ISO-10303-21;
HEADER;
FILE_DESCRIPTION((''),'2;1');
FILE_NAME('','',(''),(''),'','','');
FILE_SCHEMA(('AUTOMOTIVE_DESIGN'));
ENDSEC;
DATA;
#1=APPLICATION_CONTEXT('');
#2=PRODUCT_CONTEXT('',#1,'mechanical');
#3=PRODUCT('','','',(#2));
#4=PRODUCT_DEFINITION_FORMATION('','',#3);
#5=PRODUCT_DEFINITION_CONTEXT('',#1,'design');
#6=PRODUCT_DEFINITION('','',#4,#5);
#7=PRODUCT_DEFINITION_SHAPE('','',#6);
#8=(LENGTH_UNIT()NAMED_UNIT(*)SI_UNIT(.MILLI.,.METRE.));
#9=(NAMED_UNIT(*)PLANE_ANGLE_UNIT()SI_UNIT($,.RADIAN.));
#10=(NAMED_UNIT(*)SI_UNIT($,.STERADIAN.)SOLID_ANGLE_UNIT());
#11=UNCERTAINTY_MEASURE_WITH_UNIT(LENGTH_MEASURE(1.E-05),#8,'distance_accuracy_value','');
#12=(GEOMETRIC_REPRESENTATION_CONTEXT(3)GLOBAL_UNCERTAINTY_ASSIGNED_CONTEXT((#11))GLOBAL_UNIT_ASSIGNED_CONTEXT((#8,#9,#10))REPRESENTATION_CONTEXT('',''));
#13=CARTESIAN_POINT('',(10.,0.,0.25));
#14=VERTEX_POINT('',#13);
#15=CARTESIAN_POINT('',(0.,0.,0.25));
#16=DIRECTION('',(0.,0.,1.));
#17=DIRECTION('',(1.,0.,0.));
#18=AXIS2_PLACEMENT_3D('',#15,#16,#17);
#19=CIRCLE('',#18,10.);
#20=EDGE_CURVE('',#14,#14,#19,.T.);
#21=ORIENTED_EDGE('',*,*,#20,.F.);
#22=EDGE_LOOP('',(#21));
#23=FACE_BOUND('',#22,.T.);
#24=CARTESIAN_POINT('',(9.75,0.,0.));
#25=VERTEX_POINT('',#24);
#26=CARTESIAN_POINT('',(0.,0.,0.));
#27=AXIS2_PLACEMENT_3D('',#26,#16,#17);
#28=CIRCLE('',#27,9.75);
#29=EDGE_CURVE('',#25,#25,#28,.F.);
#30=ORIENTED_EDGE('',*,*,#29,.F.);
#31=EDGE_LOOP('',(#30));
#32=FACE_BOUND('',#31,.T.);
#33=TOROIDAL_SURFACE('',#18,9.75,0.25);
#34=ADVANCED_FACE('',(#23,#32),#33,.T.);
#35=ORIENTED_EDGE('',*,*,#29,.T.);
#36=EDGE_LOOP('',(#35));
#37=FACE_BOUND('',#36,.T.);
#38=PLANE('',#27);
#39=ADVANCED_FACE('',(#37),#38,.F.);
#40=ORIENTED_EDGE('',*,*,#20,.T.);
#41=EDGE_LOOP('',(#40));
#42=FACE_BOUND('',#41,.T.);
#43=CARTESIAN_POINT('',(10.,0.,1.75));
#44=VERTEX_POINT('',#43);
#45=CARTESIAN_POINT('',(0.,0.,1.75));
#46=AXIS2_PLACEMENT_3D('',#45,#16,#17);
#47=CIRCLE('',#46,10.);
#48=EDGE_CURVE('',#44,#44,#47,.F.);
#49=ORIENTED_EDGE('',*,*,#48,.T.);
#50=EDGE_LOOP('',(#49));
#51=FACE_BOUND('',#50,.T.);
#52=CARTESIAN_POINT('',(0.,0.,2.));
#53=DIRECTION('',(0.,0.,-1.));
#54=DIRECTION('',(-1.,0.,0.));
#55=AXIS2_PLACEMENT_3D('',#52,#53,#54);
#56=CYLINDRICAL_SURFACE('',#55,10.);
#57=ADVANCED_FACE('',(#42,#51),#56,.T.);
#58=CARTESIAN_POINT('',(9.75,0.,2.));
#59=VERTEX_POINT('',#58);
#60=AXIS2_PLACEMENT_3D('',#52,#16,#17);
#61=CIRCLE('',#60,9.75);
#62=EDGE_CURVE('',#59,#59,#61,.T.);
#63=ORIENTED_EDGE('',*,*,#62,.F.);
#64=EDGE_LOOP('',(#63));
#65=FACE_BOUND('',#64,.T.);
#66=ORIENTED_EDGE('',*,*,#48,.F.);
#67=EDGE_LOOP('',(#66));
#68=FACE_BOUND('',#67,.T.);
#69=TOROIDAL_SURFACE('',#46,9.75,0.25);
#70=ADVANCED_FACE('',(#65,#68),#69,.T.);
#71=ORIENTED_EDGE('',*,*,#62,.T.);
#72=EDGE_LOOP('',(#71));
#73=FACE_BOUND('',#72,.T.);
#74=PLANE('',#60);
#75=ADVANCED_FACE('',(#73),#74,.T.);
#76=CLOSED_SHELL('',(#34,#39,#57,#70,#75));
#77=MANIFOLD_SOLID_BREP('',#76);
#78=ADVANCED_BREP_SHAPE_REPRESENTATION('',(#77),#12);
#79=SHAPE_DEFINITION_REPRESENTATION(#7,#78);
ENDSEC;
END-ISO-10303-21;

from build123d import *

# Parameters (mm, degrees)
ESQUISSE1_R        = 10
BOSS_EXTRU_1_DEPTH = 2
CONG_1_R           = 0.25


with BuildPart() as part:
    # Esquisse1 → Boss.-Extru.1 (new body)
    with BuildSketch(Plane.XY):
        Circle(ESQUISSE1_R)
    extrude(amount=BOSS_EXTRU_1_DEPTH)

    # Congé1
    cong_1_edges = [part.edges().sort_by_distance(p)[0] for p in [
        (-10, 0, 0),
        (-10, 0, 2),
    ]]
    fillet(cong_1_edges, radius=CONG_1_R)


solid = part.part
